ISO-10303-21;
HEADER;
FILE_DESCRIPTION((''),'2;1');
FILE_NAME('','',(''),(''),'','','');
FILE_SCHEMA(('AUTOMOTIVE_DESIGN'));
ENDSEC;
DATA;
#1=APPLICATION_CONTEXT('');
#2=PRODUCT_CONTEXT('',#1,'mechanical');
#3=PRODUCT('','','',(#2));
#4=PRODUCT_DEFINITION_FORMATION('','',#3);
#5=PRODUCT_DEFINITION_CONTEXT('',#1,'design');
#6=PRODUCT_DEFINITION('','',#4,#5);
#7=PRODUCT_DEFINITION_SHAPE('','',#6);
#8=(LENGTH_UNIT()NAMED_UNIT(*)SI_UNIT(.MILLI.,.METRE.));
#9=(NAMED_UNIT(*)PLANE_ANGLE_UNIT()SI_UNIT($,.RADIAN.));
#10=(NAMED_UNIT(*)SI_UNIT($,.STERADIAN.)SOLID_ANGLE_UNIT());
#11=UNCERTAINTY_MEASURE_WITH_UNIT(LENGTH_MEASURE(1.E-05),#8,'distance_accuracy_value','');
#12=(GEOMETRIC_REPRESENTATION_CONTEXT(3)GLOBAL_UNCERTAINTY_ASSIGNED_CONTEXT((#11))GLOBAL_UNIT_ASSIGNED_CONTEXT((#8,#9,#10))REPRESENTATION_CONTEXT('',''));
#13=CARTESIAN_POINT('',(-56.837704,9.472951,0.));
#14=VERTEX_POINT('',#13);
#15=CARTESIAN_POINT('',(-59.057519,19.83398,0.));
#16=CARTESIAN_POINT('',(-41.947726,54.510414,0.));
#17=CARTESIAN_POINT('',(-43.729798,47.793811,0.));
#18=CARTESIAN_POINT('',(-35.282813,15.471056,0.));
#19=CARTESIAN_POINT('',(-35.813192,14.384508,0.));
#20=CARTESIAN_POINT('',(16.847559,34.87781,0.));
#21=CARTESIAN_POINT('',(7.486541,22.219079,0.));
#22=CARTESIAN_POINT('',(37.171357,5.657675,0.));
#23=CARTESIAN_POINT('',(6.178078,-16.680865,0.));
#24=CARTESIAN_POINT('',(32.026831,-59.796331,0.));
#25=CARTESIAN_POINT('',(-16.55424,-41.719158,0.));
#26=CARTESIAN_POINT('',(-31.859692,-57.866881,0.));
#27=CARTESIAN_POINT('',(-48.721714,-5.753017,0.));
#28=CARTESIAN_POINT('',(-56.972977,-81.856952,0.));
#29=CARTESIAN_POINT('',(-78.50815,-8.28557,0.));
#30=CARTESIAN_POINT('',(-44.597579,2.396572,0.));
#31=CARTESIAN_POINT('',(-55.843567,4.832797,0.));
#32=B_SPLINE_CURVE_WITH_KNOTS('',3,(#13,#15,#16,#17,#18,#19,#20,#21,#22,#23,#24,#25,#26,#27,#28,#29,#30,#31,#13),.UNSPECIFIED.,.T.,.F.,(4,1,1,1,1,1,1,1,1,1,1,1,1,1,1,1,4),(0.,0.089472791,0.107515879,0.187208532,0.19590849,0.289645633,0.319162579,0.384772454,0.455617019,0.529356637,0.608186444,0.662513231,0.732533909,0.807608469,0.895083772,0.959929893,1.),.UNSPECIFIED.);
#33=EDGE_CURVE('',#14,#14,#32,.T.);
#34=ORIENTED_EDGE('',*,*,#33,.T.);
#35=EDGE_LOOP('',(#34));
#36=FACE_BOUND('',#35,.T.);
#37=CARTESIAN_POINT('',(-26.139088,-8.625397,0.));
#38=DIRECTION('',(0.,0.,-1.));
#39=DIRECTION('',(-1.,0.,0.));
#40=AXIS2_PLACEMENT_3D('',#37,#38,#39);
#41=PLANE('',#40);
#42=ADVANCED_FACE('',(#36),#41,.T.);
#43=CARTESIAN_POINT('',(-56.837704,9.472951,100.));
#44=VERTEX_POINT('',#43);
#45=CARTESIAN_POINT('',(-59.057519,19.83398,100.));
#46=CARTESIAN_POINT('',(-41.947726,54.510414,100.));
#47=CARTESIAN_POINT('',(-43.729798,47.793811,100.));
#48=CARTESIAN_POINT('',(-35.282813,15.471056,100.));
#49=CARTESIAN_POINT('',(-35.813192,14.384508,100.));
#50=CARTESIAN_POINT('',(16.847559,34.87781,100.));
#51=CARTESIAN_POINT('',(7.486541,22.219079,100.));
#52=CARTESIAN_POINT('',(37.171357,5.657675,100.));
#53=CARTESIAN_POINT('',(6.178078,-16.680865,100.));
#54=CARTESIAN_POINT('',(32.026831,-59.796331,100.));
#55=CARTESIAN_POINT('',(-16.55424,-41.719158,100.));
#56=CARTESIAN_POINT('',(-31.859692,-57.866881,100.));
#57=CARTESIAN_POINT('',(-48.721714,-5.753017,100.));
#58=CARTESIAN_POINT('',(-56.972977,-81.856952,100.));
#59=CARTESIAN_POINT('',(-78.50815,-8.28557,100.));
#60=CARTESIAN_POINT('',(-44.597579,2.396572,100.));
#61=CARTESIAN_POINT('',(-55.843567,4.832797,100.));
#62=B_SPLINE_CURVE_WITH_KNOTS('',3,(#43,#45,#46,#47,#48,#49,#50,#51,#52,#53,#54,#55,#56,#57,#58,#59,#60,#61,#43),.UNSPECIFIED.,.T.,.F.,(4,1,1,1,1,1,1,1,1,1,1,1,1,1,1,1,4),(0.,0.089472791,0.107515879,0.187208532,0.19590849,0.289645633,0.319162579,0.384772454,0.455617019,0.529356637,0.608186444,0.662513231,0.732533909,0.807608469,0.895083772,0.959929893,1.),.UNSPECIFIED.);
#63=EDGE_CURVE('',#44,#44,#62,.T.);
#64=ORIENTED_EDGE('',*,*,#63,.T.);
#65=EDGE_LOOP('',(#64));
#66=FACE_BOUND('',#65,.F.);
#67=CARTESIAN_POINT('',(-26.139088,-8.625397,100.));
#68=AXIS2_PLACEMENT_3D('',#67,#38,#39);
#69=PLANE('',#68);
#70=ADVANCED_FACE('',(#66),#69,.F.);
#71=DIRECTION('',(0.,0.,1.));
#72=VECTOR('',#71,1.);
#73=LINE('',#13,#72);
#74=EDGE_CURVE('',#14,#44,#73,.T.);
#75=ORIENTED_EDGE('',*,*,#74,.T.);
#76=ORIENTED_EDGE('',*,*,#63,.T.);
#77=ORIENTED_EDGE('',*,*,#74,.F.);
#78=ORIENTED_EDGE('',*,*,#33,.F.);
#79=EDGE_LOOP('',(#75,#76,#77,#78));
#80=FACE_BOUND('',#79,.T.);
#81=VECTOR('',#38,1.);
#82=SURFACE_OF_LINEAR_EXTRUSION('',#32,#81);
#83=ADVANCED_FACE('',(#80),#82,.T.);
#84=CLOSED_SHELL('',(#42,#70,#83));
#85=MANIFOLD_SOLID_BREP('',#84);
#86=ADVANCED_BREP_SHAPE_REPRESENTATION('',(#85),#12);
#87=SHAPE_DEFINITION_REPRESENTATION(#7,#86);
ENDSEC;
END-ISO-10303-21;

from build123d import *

# Parameters (mm, degrees)
F1_DEPTH = 100


with BuildPart() as f1:
    # F0 (on Top) → F1 (new body)
    with BuildSketch(Plane.XY):
        with BuildLine():
            add(Edge.make_bspline(
                [(-56.8377040327, 9.472951293), (-59.0575192518, 19.8339804413), (-41.9477263215, 54.5104144719), (-43.7297977892, 47.7938111773), (-35.2828130079, 15.4710564033), (-35.8131917588, 14.3845076367), (16.8475587936, 34.8778104541), (7.4865412896, 22.2190789575), (37.1713569051, 5.6576752325), (6.1780779407, -16.6808646242), (32.0268305438, -59.796331432), (-16.5542397126, -41.7191582989), (-31.8596916616, -57.8668806688), (-48.7217141381, -5.7530171777), (-56.9729774364, -81.8569522558), (-78.5081503969, -8.2855699859), (-44.5975787699, 2.3965715505), (-55.8435667936, 4.8327970934), (-56.8377040327, 9.472951293)],
                knots=[0, 0, 0, 0, 0.0894727911, 0.1075158786, 0.1872085317, 0.1959084903, 0.2896456332, 0.319162579, 0.3847724539, 0.4556170193, 0.5293566369, 0.6081864439, 0.6625132315, 0.7325339089, 0.8076084686, 0.8950837722, 0.9599298929, 1, 1, 1, 1], degree=3))
        make_face()
    extrude(amount=F1_DEPTH)


solid = f1.part
